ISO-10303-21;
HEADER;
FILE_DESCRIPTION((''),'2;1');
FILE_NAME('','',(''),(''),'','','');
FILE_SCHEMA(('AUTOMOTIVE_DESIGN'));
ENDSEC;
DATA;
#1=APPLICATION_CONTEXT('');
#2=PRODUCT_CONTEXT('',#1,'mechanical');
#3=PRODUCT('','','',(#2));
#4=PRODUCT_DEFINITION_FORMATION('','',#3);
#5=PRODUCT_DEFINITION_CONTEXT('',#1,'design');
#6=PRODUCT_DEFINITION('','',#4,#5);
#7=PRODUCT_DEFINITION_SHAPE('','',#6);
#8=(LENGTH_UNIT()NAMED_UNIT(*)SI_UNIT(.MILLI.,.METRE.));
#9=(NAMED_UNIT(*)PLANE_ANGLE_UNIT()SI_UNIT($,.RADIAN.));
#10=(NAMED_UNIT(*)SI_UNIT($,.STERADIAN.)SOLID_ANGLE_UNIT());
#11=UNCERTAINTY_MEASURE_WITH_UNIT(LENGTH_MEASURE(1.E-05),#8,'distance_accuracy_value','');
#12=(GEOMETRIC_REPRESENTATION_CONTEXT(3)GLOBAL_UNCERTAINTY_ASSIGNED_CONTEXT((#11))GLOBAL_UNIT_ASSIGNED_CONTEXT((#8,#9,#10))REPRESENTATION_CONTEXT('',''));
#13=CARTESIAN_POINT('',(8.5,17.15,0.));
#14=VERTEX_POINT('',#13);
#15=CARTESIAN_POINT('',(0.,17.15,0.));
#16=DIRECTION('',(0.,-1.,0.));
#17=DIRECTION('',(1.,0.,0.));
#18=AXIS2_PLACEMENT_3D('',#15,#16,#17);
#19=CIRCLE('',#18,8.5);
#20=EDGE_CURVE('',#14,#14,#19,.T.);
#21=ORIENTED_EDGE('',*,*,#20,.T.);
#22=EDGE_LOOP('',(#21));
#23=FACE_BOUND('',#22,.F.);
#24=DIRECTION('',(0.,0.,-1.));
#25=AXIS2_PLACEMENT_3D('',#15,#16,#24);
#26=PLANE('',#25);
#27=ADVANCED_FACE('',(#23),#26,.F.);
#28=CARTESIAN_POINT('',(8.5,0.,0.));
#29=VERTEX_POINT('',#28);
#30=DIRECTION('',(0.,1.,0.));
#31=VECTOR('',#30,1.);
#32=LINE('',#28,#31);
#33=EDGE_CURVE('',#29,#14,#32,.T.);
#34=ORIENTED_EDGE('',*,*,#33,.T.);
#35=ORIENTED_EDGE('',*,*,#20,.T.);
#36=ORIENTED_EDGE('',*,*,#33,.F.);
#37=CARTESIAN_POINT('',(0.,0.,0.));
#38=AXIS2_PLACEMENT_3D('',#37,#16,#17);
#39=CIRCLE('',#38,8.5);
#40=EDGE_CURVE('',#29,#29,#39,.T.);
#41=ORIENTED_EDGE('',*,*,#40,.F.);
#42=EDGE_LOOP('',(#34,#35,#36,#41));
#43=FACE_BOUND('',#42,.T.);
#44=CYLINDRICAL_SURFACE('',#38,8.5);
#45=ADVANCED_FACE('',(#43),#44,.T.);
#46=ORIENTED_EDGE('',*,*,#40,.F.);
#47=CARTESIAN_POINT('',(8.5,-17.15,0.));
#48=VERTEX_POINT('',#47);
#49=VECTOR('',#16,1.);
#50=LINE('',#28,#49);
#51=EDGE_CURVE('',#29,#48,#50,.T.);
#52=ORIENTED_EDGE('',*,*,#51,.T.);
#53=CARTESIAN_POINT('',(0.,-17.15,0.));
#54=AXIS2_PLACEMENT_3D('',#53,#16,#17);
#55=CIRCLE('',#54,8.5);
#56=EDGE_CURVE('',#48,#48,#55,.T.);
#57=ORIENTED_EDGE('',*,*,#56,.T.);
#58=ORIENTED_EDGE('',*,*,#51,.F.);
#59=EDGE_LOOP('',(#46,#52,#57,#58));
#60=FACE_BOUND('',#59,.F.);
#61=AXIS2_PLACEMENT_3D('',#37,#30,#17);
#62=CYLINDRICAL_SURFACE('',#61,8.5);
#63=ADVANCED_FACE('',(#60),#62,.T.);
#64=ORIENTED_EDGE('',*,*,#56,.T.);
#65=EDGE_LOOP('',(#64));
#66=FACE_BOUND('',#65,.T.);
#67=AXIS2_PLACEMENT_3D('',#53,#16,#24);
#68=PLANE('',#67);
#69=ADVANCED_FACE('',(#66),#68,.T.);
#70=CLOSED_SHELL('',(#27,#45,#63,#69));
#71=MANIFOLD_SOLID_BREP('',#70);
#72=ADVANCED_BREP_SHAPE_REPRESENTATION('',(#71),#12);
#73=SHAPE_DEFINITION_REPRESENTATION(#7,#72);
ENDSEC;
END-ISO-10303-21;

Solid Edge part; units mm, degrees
sketch "Sketch1" plane through (0, 0, 0) normal (0, -1, 0) x (1, 0, 0)
  circle A0 centre (0, 0) radius 8.5
extrude "Protrusion1" add sketch "Sketch1" along normal mid plane 34.3
properties material "Aluminium, 6061-T6"
